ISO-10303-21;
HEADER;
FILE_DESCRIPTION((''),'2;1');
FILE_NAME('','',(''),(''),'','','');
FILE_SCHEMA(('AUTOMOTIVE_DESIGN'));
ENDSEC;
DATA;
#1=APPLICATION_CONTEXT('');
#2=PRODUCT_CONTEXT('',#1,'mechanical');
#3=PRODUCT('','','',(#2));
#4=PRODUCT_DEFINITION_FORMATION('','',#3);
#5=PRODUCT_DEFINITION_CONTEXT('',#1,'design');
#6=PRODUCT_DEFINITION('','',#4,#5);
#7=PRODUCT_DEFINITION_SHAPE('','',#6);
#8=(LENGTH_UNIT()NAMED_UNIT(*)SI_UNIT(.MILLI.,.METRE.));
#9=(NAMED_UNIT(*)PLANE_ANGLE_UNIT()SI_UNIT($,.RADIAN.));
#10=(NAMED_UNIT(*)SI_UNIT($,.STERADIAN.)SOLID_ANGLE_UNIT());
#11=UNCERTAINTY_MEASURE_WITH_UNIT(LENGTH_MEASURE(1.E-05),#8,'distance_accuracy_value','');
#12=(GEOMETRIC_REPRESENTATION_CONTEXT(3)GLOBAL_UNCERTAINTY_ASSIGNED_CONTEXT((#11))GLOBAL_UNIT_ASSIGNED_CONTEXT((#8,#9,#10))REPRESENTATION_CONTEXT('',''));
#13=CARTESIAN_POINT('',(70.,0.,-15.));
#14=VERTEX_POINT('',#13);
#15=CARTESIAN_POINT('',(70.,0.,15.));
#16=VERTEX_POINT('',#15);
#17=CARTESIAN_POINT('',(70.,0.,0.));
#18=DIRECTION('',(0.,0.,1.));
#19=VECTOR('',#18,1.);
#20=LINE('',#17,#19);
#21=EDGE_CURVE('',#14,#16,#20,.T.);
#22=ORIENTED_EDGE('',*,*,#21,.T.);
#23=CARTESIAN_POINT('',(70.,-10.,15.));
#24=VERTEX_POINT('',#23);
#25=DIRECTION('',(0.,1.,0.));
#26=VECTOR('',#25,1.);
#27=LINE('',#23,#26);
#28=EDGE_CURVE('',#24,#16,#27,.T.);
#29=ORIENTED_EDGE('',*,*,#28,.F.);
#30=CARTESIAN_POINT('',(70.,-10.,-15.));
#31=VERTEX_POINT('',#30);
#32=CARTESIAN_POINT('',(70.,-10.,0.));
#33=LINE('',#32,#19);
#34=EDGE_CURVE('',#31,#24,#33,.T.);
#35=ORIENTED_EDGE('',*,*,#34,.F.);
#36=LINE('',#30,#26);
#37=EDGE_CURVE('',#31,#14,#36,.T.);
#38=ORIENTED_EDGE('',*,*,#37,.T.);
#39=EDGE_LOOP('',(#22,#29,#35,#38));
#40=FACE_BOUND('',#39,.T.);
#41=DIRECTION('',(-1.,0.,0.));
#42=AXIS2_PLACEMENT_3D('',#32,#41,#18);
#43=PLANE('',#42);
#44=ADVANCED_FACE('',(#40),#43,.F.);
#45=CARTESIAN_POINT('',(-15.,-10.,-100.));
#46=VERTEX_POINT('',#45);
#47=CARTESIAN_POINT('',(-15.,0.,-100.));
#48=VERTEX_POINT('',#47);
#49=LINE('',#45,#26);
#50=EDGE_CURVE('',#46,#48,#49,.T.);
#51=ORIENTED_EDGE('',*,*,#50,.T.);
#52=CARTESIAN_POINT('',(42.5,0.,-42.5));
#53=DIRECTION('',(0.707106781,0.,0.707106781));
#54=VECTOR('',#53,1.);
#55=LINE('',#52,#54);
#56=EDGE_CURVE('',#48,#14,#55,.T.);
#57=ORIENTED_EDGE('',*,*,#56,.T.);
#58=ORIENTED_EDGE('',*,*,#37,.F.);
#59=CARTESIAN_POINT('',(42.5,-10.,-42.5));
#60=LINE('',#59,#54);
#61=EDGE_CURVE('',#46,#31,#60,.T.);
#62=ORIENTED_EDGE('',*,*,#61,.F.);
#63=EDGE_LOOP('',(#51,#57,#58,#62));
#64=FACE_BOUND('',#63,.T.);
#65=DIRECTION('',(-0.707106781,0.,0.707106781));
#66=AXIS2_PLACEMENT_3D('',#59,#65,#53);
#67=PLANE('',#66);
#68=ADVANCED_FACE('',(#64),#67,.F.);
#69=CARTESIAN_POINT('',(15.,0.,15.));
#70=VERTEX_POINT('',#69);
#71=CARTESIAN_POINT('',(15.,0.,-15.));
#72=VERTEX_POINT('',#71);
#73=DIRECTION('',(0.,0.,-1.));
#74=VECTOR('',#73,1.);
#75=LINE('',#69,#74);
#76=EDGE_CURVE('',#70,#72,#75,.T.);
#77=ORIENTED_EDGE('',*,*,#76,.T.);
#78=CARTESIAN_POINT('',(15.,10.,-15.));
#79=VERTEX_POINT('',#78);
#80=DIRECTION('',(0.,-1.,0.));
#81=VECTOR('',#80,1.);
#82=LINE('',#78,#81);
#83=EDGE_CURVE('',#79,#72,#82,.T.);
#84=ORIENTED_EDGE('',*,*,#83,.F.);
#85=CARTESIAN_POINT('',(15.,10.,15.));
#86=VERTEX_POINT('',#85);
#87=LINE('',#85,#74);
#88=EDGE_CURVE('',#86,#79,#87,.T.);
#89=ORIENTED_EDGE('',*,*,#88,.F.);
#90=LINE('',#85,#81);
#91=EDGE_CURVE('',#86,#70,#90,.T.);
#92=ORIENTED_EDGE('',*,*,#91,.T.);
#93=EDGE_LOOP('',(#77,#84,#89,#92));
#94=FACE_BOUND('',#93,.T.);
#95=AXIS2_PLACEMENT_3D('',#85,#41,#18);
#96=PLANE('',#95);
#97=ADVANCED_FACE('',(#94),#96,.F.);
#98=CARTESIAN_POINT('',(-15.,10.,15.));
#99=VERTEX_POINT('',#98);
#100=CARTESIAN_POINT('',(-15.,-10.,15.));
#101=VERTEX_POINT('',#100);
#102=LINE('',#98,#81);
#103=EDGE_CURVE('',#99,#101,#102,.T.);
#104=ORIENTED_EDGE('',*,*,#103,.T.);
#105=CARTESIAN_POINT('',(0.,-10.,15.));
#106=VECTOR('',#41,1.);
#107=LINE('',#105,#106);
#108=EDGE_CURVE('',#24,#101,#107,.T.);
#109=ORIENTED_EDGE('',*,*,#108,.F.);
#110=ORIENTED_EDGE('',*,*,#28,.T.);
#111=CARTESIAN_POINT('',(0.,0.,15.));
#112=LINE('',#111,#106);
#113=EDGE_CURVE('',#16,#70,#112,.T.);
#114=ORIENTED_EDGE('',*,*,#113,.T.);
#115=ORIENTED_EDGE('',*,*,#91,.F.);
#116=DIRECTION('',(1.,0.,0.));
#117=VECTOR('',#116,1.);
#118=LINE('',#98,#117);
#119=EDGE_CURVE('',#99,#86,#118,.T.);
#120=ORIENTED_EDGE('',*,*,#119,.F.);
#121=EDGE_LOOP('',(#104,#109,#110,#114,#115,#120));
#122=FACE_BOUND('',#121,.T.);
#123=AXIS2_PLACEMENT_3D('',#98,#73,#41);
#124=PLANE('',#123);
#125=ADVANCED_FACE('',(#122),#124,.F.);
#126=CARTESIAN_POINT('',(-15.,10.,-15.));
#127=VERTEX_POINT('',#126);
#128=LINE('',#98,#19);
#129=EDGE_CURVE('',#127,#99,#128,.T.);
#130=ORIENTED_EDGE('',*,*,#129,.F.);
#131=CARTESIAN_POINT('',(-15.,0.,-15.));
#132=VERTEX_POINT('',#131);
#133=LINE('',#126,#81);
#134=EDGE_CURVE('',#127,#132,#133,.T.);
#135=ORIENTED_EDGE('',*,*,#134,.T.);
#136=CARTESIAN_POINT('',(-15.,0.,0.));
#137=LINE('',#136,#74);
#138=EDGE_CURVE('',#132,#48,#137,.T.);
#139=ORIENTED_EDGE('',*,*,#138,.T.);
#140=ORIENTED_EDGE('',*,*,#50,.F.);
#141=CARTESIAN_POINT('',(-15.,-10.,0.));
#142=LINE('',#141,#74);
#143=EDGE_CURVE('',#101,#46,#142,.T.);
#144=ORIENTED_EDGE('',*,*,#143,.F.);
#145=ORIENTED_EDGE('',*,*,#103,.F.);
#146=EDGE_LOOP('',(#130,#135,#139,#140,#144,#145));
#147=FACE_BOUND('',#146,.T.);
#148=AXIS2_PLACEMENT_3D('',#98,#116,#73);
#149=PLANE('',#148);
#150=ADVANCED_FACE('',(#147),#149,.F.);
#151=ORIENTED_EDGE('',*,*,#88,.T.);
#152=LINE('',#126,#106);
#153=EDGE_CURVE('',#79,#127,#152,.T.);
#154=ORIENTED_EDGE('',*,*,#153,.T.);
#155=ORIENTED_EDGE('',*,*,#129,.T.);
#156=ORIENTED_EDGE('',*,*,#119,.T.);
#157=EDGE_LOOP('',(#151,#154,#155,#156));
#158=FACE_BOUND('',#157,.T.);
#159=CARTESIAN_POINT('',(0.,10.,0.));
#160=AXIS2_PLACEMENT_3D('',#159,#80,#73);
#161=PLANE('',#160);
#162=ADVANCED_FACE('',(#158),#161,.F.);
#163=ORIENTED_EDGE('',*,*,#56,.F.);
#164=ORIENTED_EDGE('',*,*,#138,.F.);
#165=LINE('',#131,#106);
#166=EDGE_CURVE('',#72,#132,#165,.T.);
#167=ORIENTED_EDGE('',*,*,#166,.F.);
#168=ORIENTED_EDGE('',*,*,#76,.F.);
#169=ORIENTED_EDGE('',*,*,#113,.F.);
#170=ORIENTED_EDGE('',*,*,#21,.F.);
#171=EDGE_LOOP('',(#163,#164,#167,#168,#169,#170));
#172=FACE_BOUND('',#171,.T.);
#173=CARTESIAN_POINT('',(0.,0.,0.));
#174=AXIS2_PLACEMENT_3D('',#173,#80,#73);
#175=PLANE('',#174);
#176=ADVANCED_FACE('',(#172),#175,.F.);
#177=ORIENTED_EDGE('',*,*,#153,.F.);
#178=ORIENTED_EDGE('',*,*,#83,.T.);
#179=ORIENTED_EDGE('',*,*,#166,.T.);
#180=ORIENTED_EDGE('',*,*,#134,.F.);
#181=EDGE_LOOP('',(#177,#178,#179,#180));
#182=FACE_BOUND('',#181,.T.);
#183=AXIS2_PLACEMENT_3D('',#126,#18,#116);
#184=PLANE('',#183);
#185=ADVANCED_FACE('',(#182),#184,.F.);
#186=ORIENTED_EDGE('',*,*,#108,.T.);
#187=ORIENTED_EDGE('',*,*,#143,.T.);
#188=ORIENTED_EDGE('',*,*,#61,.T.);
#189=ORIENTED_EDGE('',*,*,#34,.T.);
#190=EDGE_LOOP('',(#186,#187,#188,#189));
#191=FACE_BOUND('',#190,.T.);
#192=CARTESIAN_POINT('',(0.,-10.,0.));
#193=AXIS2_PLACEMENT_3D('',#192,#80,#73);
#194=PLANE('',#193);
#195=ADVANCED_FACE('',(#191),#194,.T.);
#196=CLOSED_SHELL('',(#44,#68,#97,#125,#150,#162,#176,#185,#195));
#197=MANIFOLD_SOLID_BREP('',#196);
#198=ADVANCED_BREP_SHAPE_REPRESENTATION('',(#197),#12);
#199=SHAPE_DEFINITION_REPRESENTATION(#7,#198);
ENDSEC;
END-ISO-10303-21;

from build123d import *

# Parameters (mm, degrees)
SKETCH1_W           = 30
SKETCH1_H           = 30
BOSS_EXTRUDE1_DEPTH = 10
SKETCH3_W           = 55
SKETCH3_H           = 30
SKETCH3_W_2         = 30
BOSS_EXTRUDE3_DEPTH = 10


with BuildPart() as part:
    # Sketch1 → Boss-Extrude1 (new body)
    with BuildSketch(Plane(origin=(0, 0, 0), x_dir=(1, 0, 0), z_dir=(0, 1, 0))):
        Rectangle(SKETCH1_W, SKETCH1_H)
    extrude(amount=BOSS_EXTRUDE1_DEPTH)

    # Sketch3 → Boss-Extrude3 (add)
    with BuildSketch(Plane.XZ):
        with Locations((42.5, 0)):
            Rectangle(SKETCH3_W, SKETCH3_H)
        Polygon((-15, -15), (-15, -100), (70, -15), (15, -15), align=None)
        Rectangle(SKETCH3_W_2, SKETCH3_H)
    extrude(amount=BOSS_EXTRUDE3_DEPTH)


solid = part.part
